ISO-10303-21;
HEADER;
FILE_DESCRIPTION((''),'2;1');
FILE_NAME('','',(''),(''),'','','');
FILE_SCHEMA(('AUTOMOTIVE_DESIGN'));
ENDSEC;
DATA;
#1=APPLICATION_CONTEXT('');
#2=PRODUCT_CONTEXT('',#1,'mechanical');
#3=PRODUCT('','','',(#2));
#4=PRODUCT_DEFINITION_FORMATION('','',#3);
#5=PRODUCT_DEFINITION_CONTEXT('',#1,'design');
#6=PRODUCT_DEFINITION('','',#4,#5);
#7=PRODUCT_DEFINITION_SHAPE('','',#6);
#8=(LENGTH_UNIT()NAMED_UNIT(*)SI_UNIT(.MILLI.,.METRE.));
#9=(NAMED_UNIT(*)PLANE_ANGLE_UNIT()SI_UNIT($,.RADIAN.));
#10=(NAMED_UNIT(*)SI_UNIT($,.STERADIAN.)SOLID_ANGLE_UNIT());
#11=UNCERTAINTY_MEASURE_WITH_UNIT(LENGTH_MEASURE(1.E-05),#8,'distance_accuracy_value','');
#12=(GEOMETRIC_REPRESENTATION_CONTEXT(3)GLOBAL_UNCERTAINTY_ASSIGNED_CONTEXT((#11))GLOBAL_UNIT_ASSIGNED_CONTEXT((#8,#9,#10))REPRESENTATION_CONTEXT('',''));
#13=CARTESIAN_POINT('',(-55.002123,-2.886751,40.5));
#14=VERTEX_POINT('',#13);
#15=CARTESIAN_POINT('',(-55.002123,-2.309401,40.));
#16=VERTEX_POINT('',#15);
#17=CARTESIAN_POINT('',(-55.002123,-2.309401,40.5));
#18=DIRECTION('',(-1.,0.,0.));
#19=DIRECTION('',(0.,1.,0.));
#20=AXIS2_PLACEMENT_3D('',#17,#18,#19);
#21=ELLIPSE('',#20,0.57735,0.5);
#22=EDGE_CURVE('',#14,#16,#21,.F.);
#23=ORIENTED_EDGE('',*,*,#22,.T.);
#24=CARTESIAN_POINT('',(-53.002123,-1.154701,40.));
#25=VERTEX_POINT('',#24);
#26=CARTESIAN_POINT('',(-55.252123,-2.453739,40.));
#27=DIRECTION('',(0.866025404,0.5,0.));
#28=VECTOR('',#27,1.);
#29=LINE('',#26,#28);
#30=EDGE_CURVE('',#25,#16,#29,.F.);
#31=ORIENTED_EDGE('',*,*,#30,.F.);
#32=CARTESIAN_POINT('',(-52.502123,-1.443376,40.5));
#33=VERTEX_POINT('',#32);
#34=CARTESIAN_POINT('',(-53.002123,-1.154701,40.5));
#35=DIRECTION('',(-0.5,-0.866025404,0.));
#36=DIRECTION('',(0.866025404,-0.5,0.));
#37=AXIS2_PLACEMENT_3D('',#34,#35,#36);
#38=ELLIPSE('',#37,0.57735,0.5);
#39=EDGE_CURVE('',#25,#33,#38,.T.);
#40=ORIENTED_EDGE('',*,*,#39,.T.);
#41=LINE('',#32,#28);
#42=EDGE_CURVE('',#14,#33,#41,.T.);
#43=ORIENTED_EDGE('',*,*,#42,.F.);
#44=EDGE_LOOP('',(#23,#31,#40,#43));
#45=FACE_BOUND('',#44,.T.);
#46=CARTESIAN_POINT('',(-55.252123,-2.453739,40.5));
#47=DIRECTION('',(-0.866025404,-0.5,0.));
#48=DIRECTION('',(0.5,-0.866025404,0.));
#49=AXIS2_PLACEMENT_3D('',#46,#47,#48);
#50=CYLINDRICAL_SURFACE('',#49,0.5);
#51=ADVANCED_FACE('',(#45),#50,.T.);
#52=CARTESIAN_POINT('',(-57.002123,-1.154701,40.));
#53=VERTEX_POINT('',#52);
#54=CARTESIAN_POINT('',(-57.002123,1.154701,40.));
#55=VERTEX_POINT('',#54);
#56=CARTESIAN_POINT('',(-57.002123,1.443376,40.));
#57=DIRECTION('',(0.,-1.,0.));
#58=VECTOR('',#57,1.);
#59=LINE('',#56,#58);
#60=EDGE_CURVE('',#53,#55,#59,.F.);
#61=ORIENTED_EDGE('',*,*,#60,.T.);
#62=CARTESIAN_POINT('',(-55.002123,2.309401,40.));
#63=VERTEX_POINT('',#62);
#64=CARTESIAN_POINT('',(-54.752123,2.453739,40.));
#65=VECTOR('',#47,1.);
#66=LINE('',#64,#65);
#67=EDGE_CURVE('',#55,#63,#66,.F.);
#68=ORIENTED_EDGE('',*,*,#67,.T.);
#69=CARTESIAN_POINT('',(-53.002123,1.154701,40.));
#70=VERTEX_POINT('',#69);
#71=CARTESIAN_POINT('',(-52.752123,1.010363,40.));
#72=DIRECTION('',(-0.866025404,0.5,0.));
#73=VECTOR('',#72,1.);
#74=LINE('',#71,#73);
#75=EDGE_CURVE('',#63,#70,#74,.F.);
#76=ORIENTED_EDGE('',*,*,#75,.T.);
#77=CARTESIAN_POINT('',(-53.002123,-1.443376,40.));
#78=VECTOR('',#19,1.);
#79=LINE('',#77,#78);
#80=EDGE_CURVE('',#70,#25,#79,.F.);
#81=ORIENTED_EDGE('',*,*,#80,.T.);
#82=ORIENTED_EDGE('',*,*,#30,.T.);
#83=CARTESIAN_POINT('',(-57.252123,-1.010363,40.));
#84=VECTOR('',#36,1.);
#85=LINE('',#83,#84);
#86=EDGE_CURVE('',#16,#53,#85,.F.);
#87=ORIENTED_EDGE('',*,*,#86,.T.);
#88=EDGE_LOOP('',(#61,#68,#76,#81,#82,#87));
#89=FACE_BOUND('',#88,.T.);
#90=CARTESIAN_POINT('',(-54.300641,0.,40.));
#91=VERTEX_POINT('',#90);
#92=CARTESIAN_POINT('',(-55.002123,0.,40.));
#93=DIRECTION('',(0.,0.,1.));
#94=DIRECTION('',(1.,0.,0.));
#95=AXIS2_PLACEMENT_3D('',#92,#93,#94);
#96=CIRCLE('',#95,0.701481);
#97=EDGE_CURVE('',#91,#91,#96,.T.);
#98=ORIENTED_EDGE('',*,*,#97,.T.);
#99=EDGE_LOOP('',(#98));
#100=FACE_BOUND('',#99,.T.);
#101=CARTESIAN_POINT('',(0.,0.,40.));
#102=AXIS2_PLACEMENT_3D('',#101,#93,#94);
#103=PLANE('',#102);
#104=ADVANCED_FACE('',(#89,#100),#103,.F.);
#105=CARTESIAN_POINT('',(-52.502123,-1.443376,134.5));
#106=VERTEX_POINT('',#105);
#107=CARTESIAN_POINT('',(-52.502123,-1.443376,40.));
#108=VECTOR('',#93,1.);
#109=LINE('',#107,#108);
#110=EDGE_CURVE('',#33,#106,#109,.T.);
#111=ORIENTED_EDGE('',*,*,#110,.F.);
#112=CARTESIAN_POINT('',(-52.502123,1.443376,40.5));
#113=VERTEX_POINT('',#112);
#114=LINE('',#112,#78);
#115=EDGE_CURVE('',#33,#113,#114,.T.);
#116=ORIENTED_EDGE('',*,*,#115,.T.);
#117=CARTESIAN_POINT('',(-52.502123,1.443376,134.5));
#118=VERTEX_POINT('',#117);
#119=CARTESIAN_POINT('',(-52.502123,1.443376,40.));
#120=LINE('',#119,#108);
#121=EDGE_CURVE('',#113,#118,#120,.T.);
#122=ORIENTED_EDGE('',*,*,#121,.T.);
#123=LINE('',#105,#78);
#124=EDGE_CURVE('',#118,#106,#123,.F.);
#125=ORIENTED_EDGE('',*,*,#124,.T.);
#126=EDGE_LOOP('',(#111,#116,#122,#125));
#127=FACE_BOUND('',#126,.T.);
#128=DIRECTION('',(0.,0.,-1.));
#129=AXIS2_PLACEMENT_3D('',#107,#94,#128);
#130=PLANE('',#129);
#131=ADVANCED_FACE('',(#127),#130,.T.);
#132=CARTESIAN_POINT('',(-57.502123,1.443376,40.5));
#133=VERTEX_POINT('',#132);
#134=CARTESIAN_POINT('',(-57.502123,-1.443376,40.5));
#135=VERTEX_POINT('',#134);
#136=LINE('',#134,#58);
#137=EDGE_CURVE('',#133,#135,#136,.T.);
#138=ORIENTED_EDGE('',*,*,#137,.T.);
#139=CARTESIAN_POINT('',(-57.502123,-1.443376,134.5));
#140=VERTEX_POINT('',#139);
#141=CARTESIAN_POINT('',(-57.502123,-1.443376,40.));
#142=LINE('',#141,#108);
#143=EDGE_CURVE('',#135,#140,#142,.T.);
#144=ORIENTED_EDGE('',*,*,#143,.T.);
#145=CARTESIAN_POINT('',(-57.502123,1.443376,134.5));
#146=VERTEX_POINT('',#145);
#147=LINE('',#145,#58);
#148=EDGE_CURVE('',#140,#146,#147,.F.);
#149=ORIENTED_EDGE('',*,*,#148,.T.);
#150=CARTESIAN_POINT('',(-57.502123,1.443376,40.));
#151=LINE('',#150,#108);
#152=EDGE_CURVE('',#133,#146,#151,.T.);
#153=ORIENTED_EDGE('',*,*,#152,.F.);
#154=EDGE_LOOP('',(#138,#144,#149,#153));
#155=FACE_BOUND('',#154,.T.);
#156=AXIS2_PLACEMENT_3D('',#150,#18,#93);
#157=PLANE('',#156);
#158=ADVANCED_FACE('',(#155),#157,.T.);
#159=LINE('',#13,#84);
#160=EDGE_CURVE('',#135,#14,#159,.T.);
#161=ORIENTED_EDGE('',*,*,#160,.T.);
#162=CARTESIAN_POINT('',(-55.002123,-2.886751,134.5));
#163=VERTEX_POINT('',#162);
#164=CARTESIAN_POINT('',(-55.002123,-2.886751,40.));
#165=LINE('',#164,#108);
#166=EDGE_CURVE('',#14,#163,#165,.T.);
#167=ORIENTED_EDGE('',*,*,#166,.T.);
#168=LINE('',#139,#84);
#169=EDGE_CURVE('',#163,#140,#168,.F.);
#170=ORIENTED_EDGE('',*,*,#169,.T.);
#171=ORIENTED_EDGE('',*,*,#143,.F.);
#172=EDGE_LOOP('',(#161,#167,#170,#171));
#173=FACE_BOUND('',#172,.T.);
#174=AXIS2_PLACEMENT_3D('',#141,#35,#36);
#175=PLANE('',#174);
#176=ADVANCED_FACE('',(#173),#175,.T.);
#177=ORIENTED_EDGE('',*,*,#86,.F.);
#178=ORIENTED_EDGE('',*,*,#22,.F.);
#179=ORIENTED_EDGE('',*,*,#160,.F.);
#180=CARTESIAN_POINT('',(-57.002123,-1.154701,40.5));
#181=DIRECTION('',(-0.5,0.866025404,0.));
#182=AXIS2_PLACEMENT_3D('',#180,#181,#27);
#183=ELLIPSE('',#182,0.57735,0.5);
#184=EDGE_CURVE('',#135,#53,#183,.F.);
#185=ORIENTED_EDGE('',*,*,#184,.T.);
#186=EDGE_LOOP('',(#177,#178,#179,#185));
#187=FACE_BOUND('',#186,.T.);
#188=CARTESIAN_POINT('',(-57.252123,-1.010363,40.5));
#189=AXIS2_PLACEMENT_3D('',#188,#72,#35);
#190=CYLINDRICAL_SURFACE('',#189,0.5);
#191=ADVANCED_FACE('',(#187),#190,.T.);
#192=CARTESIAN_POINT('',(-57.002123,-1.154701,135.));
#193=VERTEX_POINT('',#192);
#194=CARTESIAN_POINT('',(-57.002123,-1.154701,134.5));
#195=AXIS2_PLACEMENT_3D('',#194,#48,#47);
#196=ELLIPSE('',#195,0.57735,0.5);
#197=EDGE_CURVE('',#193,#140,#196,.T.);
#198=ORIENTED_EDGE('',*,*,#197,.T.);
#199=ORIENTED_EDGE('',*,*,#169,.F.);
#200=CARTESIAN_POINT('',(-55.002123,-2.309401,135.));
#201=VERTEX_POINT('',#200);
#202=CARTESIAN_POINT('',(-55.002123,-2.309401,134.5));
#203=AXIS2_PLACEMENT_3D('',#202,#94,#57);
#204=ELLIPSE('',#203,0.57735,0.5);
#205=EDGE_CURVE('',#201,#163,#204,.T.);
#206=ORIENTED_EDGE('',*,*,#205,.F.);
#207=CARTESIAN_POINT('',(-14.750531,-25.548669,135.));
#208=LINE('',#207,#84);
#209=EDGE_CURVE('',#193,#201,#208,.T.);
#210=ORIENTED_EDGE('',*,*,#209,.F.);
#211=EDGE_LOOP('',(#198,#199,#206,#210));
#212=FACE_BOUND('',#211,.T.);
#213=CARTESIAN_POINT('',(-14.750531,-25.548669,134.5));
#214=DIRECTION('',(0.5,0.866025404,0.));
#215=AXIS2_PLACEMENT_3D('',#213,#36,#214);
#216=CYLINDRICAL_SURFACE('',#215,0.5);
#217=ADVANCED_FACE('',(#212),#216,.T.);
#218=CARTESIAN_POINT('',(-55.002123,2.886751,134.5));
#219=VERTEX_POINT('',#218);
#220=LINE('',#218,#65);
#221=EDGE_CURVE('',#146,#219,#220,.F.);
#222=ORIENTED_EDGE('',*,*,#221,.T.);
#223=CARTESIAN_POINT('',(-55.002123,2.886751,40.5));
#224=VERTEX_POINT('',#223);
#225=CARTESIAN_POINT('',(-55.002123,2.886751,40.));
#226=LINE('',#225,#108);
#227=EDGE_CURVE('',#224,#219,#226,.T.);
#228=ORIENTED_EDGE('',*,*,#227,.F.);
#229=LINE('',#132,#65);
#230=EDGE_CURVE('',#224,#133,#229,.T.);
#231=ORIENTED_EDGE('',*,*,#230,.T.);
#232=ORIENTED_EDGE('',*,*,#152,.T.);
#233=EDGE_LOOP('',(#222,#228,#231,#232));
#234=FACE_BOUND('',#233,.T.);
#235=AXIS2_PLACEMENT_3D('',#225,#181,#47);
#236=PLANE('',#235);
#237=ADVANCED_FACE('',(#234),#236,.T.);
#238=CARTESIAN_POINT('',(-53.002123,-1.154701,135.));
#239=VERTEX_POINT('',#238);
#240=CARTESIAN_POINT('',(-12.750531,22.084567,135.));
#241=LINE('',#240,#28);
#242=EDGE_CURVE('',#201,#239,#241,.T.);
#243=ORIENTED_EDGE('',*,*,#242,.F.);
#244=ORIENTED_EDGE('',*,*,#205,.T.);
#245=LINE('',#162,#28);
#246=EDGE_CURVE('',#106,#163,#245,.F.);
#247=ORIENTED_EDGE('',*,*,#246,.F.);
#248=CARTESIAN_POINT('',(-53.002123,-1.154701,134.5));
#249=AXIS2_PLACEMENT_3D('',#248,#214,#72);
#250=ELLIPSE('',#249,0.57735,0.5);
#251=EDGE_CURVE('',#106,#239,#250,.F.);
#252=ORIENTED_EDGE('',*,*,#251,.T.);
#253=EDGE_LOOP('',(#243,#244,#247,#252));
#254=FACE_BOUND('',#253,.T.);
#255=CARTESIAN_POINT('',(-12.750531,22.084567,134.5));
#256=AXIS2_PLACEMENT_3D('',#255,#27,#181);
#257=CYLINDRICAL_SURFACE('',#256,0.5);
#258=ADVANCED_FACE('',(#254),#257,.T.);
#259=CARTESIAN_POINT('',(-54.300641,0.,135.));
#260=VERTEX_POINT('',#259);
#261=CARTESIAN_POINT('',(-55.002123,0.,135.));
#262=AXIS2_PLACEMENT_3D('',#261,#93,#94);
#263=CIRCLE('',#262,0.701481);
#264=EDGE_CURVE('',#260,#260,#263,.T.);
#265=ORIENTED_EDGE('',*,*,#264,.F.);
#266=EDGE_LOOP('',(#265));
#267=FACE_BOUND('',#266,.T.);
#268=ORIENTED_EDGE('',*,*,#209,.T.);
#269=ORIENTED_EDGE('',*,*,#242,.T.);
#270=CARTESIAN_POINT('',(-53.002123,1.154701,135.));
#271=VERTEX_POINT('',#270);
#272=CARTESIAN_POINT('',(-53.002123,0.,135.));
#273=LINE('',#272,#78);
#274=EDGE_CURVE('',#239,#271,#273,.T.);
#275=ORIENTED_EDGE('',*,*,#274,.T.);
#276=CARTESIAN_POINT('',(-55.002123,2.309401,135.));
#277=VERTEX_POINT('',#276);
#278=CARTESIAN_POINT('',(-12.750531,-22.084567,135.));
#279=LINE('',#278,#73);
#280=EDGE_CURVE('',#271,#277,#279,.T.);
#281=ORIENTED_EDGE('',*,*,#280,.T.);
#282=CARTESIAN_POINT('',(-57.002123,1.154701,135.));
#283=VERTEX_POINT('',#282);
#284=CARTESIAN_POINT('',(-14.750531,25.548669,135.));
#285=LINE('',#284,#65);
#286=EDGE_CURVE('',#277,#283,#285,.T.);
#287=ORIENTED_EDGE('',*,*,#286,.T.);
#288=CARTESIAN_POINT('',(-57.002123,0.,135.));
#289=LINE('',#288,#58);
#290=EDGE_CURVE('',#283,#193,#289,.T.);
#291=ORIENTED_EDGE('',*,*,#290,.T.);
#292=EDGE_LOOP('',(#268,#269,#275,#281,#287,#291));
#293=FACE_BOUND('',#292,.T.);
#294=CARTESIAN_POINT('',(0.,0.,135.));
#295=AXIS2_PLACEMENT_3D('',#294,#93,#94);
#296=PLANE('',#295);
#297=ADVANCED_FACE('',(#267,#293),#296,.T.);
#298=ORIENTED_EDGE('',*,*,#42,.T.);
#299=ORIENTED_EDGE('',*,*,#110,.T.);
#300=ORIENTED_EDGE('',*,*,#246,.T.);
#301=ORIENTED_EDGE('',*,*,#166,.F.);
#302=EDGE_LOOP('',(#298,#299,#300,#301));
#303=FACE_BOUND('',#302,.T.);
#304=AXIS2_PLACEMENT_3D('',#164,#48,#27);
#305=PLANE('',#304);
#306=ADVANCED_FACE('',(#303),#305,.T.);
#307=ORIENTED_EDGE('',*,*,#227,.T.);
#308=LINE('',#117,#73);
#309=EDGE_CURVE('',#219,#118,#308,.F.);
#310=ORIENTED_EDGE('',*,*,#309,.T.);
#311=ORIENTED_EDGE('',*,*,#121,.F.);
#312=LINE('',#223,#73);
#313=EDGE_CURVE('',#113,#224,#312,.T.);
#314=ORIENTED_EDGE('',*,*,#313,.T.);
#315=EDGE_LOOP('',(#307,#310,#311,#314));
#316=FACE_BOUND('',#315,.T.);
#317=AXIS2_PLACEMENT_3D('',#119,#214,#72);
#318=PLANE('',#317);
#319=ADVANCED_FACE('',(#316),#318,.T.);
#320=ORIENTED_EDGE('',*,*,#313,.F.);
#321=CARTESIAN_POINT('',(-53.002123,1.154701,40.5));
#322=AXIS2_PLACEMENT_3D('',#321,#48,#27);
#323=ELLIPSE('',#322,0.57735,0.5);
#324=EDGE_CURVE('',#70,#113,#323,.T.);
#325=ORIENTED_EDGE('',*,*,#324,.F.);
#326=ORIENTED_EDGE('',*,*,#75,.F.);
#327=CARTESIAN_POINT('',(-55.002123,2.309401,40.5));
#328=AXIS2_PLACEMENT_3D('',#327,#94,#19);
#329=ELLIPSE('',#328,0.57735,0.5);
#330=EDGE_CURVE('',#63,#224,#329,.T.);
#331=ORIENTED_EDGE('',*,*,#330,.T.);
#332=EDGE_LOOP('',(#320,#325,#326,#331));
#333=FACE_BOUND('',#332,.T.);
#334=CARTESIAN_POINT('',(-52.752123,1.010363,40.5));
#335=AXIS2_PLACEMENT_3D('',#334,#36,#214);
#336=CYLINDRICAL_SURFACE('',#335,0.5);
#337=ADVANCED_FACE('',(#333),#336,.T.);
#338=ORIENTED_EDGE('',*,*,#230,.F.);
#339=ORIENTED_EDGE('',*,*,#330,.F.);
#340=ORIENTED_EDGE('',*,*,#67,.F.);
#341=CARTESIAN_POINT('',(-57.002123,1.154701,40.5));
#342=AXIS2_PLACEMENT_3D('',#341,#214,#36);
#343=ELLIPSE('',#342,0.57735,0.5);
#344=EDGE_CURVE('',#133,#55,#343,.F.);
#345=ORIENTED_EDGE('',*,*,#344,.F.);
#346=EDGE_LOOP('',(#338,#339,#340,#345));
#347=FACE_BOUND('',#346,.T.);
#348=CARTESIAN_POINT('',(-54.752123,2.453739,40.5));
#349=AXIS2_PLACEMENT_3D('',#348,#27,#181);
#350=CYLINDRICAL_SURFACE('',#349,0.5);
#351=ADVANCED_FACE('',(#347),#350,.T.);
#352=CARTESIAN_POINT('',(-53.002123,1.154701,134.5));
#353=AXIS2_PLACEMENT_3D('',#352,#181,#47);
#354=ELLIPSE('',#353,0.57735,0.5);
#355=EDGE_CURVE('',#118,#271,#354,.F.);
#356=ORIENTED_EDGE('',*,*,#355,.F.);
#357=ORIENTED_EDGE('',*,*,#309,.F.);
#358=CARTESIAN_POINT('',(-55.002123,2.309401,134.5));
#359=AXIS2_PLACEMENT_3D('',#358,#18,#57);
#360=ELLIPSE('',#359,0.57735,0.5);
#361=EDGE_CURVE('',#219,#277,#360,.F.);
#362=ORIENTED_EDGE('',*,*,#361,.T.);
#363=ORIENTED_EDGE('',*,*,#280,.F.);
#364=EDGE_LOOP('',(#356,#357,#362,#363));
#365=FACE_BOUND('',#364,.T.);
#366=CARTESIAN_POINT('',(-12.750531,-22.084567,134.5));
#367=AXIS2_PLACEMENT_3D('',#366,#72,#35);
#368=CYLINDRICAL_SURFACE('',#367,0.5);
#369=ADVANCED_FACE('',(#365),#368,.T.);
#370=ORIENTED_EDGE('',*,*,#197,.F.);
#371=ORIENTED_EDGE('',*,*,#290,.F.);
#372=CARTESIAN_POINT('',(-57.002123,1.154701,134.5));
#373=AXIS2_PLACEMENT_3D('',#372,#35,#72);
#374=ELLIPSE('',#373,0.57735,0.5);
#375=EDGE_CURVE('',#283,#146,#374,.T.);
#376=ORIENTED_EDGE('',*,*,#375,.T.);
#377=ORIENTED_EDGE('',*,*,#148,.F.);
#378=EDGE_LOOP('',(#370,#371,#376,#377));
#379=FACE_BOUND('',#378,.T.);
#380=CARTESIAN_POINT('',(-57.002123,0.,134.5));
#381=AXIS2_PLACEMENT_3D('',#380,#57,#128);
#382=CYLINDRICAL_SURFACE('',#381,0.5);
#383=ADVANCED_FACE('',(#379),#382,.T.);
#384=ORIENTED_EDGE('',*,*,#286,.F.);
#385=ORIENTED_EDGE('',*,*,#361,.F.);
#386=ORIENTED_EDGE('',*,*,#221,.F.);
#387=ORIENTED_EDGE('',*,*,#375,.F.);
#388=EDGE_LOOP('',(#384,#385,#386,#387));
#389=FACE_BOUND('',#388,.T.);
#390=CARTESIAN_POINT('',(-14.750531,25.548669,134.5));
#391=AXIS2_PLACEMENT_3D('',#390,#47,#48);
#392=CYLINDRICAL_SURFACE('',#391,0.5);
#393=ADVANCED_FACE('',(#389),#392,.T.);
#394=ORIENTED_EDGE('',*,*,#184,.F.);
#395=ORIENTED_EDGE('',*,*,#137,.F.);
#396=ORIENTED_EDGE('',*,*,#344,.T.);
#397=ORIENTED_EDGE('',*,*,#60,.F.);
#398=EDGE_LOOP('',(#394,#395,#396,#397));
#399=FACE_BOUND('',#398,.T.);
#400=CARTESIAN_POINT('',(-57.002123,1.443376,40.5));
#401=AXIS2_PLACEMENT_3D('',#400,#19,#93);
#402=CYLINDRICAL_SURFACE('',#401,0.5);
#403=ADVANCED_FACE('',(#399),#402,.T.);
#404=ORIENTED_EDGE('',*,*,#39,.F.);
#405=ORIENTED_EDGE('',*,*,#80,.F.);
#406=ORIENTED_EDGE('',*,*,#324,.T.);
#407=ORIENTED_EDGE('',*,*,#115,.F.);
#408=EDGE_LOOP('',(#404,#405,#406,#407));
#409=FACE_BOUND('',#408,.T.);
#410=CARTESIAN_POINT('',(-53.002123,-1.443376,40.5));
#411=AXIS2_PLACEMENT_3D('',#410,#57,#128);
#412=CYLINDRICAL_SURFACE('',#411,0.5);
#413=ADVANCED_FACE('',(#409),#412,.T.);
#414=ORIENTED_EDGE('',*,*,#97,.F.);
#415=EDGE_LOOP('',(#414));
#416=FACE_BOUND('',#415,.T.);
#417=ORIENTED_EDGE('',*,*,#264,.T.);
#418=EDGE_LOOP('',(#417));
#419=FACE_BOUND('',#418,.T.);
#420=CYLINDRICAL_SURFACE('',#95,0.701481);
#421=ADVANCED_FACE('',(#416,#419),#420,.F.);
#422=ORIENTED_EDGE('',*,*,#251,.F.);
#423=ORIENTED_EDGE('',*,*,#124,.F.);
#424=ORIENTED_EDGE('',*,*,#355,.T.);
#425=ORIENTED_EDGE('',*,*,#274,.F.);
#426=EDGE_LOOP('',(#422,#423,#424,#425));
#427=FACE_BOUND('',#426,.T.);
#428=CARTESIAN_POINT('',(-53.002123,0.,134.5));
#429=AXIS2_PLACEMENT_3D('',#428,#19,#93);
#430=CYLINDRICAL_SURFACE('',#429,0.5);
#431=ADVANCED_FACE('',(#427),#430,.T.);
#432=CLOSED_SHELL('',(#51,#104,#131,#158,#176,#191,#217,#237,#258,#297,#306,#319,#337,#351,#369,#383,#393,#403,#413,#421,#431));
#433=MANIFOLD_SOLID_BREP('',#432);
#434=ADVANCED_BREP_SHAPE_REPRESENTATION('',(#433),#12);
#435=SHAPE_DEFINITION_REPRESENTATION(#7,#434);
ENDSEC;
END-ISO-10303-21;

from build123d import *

# Parameters (mm, degrees)
RESSALTO_EXTRUS_O1_DEPTH = 95
FILETE1_R                = 0.5
ESBO_O2_R                = 0.701481341
CORTE_EXTRUS_O1_DEPTH    = 112.084775939


with BuildPart() as part:
    # Esboço1 → Ressalto-extrusão1 (new body)
    with BuildSketch(Plane.XY.offset(135)):
        Polygon((-55.002122675, 2.886751346), (-57.502122675, 1.443375673), (-57.502122675, -1.443375673), (-55.002122675, -2.886751346), (-52.502122675, -1.443375673), (-52.502122675, 1.443375673), align=None)
    extrude(amount=-RESSALTO_EXTRUS_O1_DEPTH)

    # Filete1
    filete1_edges = [part.edges().sort_by_distance(p)[0] for p in [
        (-57.502122675, 0, 40),
        (-56.252122675, -2.165063509, 40),
        (-53.752122675, -2.165063509, 40),
        (-52.502122675, 0, 40),
        (-53.752122675, 2.165063509, 40),
        (-52.502122675, 0, 135),
        (-53.752122675, -2.165063509, 135),
        (-56.252122675, -2.165063509, 135),
        (-57.502122675, 0, 135),
        (-56.252122675, 2.165063509, 135),
        (-53.752122675, 2.165063509, 135),
        (-56.252122675, 2.165063509, 40),
    ]]
    fillet(filete1_edges, radius=FILETE1_R)

    # Esboço2 → Corte-extrusão1 (cut, through all)
    with BuildSketch(Plane.XY.offset(135)):
        with Locations((-55.002122675, 0)):
            Circle(ESBO_O2_R)
    extrude(amount=-CORTE_EXTRUS_O1_DEPTH, mode=Mode.SUBTRACT)


solid = part.part
